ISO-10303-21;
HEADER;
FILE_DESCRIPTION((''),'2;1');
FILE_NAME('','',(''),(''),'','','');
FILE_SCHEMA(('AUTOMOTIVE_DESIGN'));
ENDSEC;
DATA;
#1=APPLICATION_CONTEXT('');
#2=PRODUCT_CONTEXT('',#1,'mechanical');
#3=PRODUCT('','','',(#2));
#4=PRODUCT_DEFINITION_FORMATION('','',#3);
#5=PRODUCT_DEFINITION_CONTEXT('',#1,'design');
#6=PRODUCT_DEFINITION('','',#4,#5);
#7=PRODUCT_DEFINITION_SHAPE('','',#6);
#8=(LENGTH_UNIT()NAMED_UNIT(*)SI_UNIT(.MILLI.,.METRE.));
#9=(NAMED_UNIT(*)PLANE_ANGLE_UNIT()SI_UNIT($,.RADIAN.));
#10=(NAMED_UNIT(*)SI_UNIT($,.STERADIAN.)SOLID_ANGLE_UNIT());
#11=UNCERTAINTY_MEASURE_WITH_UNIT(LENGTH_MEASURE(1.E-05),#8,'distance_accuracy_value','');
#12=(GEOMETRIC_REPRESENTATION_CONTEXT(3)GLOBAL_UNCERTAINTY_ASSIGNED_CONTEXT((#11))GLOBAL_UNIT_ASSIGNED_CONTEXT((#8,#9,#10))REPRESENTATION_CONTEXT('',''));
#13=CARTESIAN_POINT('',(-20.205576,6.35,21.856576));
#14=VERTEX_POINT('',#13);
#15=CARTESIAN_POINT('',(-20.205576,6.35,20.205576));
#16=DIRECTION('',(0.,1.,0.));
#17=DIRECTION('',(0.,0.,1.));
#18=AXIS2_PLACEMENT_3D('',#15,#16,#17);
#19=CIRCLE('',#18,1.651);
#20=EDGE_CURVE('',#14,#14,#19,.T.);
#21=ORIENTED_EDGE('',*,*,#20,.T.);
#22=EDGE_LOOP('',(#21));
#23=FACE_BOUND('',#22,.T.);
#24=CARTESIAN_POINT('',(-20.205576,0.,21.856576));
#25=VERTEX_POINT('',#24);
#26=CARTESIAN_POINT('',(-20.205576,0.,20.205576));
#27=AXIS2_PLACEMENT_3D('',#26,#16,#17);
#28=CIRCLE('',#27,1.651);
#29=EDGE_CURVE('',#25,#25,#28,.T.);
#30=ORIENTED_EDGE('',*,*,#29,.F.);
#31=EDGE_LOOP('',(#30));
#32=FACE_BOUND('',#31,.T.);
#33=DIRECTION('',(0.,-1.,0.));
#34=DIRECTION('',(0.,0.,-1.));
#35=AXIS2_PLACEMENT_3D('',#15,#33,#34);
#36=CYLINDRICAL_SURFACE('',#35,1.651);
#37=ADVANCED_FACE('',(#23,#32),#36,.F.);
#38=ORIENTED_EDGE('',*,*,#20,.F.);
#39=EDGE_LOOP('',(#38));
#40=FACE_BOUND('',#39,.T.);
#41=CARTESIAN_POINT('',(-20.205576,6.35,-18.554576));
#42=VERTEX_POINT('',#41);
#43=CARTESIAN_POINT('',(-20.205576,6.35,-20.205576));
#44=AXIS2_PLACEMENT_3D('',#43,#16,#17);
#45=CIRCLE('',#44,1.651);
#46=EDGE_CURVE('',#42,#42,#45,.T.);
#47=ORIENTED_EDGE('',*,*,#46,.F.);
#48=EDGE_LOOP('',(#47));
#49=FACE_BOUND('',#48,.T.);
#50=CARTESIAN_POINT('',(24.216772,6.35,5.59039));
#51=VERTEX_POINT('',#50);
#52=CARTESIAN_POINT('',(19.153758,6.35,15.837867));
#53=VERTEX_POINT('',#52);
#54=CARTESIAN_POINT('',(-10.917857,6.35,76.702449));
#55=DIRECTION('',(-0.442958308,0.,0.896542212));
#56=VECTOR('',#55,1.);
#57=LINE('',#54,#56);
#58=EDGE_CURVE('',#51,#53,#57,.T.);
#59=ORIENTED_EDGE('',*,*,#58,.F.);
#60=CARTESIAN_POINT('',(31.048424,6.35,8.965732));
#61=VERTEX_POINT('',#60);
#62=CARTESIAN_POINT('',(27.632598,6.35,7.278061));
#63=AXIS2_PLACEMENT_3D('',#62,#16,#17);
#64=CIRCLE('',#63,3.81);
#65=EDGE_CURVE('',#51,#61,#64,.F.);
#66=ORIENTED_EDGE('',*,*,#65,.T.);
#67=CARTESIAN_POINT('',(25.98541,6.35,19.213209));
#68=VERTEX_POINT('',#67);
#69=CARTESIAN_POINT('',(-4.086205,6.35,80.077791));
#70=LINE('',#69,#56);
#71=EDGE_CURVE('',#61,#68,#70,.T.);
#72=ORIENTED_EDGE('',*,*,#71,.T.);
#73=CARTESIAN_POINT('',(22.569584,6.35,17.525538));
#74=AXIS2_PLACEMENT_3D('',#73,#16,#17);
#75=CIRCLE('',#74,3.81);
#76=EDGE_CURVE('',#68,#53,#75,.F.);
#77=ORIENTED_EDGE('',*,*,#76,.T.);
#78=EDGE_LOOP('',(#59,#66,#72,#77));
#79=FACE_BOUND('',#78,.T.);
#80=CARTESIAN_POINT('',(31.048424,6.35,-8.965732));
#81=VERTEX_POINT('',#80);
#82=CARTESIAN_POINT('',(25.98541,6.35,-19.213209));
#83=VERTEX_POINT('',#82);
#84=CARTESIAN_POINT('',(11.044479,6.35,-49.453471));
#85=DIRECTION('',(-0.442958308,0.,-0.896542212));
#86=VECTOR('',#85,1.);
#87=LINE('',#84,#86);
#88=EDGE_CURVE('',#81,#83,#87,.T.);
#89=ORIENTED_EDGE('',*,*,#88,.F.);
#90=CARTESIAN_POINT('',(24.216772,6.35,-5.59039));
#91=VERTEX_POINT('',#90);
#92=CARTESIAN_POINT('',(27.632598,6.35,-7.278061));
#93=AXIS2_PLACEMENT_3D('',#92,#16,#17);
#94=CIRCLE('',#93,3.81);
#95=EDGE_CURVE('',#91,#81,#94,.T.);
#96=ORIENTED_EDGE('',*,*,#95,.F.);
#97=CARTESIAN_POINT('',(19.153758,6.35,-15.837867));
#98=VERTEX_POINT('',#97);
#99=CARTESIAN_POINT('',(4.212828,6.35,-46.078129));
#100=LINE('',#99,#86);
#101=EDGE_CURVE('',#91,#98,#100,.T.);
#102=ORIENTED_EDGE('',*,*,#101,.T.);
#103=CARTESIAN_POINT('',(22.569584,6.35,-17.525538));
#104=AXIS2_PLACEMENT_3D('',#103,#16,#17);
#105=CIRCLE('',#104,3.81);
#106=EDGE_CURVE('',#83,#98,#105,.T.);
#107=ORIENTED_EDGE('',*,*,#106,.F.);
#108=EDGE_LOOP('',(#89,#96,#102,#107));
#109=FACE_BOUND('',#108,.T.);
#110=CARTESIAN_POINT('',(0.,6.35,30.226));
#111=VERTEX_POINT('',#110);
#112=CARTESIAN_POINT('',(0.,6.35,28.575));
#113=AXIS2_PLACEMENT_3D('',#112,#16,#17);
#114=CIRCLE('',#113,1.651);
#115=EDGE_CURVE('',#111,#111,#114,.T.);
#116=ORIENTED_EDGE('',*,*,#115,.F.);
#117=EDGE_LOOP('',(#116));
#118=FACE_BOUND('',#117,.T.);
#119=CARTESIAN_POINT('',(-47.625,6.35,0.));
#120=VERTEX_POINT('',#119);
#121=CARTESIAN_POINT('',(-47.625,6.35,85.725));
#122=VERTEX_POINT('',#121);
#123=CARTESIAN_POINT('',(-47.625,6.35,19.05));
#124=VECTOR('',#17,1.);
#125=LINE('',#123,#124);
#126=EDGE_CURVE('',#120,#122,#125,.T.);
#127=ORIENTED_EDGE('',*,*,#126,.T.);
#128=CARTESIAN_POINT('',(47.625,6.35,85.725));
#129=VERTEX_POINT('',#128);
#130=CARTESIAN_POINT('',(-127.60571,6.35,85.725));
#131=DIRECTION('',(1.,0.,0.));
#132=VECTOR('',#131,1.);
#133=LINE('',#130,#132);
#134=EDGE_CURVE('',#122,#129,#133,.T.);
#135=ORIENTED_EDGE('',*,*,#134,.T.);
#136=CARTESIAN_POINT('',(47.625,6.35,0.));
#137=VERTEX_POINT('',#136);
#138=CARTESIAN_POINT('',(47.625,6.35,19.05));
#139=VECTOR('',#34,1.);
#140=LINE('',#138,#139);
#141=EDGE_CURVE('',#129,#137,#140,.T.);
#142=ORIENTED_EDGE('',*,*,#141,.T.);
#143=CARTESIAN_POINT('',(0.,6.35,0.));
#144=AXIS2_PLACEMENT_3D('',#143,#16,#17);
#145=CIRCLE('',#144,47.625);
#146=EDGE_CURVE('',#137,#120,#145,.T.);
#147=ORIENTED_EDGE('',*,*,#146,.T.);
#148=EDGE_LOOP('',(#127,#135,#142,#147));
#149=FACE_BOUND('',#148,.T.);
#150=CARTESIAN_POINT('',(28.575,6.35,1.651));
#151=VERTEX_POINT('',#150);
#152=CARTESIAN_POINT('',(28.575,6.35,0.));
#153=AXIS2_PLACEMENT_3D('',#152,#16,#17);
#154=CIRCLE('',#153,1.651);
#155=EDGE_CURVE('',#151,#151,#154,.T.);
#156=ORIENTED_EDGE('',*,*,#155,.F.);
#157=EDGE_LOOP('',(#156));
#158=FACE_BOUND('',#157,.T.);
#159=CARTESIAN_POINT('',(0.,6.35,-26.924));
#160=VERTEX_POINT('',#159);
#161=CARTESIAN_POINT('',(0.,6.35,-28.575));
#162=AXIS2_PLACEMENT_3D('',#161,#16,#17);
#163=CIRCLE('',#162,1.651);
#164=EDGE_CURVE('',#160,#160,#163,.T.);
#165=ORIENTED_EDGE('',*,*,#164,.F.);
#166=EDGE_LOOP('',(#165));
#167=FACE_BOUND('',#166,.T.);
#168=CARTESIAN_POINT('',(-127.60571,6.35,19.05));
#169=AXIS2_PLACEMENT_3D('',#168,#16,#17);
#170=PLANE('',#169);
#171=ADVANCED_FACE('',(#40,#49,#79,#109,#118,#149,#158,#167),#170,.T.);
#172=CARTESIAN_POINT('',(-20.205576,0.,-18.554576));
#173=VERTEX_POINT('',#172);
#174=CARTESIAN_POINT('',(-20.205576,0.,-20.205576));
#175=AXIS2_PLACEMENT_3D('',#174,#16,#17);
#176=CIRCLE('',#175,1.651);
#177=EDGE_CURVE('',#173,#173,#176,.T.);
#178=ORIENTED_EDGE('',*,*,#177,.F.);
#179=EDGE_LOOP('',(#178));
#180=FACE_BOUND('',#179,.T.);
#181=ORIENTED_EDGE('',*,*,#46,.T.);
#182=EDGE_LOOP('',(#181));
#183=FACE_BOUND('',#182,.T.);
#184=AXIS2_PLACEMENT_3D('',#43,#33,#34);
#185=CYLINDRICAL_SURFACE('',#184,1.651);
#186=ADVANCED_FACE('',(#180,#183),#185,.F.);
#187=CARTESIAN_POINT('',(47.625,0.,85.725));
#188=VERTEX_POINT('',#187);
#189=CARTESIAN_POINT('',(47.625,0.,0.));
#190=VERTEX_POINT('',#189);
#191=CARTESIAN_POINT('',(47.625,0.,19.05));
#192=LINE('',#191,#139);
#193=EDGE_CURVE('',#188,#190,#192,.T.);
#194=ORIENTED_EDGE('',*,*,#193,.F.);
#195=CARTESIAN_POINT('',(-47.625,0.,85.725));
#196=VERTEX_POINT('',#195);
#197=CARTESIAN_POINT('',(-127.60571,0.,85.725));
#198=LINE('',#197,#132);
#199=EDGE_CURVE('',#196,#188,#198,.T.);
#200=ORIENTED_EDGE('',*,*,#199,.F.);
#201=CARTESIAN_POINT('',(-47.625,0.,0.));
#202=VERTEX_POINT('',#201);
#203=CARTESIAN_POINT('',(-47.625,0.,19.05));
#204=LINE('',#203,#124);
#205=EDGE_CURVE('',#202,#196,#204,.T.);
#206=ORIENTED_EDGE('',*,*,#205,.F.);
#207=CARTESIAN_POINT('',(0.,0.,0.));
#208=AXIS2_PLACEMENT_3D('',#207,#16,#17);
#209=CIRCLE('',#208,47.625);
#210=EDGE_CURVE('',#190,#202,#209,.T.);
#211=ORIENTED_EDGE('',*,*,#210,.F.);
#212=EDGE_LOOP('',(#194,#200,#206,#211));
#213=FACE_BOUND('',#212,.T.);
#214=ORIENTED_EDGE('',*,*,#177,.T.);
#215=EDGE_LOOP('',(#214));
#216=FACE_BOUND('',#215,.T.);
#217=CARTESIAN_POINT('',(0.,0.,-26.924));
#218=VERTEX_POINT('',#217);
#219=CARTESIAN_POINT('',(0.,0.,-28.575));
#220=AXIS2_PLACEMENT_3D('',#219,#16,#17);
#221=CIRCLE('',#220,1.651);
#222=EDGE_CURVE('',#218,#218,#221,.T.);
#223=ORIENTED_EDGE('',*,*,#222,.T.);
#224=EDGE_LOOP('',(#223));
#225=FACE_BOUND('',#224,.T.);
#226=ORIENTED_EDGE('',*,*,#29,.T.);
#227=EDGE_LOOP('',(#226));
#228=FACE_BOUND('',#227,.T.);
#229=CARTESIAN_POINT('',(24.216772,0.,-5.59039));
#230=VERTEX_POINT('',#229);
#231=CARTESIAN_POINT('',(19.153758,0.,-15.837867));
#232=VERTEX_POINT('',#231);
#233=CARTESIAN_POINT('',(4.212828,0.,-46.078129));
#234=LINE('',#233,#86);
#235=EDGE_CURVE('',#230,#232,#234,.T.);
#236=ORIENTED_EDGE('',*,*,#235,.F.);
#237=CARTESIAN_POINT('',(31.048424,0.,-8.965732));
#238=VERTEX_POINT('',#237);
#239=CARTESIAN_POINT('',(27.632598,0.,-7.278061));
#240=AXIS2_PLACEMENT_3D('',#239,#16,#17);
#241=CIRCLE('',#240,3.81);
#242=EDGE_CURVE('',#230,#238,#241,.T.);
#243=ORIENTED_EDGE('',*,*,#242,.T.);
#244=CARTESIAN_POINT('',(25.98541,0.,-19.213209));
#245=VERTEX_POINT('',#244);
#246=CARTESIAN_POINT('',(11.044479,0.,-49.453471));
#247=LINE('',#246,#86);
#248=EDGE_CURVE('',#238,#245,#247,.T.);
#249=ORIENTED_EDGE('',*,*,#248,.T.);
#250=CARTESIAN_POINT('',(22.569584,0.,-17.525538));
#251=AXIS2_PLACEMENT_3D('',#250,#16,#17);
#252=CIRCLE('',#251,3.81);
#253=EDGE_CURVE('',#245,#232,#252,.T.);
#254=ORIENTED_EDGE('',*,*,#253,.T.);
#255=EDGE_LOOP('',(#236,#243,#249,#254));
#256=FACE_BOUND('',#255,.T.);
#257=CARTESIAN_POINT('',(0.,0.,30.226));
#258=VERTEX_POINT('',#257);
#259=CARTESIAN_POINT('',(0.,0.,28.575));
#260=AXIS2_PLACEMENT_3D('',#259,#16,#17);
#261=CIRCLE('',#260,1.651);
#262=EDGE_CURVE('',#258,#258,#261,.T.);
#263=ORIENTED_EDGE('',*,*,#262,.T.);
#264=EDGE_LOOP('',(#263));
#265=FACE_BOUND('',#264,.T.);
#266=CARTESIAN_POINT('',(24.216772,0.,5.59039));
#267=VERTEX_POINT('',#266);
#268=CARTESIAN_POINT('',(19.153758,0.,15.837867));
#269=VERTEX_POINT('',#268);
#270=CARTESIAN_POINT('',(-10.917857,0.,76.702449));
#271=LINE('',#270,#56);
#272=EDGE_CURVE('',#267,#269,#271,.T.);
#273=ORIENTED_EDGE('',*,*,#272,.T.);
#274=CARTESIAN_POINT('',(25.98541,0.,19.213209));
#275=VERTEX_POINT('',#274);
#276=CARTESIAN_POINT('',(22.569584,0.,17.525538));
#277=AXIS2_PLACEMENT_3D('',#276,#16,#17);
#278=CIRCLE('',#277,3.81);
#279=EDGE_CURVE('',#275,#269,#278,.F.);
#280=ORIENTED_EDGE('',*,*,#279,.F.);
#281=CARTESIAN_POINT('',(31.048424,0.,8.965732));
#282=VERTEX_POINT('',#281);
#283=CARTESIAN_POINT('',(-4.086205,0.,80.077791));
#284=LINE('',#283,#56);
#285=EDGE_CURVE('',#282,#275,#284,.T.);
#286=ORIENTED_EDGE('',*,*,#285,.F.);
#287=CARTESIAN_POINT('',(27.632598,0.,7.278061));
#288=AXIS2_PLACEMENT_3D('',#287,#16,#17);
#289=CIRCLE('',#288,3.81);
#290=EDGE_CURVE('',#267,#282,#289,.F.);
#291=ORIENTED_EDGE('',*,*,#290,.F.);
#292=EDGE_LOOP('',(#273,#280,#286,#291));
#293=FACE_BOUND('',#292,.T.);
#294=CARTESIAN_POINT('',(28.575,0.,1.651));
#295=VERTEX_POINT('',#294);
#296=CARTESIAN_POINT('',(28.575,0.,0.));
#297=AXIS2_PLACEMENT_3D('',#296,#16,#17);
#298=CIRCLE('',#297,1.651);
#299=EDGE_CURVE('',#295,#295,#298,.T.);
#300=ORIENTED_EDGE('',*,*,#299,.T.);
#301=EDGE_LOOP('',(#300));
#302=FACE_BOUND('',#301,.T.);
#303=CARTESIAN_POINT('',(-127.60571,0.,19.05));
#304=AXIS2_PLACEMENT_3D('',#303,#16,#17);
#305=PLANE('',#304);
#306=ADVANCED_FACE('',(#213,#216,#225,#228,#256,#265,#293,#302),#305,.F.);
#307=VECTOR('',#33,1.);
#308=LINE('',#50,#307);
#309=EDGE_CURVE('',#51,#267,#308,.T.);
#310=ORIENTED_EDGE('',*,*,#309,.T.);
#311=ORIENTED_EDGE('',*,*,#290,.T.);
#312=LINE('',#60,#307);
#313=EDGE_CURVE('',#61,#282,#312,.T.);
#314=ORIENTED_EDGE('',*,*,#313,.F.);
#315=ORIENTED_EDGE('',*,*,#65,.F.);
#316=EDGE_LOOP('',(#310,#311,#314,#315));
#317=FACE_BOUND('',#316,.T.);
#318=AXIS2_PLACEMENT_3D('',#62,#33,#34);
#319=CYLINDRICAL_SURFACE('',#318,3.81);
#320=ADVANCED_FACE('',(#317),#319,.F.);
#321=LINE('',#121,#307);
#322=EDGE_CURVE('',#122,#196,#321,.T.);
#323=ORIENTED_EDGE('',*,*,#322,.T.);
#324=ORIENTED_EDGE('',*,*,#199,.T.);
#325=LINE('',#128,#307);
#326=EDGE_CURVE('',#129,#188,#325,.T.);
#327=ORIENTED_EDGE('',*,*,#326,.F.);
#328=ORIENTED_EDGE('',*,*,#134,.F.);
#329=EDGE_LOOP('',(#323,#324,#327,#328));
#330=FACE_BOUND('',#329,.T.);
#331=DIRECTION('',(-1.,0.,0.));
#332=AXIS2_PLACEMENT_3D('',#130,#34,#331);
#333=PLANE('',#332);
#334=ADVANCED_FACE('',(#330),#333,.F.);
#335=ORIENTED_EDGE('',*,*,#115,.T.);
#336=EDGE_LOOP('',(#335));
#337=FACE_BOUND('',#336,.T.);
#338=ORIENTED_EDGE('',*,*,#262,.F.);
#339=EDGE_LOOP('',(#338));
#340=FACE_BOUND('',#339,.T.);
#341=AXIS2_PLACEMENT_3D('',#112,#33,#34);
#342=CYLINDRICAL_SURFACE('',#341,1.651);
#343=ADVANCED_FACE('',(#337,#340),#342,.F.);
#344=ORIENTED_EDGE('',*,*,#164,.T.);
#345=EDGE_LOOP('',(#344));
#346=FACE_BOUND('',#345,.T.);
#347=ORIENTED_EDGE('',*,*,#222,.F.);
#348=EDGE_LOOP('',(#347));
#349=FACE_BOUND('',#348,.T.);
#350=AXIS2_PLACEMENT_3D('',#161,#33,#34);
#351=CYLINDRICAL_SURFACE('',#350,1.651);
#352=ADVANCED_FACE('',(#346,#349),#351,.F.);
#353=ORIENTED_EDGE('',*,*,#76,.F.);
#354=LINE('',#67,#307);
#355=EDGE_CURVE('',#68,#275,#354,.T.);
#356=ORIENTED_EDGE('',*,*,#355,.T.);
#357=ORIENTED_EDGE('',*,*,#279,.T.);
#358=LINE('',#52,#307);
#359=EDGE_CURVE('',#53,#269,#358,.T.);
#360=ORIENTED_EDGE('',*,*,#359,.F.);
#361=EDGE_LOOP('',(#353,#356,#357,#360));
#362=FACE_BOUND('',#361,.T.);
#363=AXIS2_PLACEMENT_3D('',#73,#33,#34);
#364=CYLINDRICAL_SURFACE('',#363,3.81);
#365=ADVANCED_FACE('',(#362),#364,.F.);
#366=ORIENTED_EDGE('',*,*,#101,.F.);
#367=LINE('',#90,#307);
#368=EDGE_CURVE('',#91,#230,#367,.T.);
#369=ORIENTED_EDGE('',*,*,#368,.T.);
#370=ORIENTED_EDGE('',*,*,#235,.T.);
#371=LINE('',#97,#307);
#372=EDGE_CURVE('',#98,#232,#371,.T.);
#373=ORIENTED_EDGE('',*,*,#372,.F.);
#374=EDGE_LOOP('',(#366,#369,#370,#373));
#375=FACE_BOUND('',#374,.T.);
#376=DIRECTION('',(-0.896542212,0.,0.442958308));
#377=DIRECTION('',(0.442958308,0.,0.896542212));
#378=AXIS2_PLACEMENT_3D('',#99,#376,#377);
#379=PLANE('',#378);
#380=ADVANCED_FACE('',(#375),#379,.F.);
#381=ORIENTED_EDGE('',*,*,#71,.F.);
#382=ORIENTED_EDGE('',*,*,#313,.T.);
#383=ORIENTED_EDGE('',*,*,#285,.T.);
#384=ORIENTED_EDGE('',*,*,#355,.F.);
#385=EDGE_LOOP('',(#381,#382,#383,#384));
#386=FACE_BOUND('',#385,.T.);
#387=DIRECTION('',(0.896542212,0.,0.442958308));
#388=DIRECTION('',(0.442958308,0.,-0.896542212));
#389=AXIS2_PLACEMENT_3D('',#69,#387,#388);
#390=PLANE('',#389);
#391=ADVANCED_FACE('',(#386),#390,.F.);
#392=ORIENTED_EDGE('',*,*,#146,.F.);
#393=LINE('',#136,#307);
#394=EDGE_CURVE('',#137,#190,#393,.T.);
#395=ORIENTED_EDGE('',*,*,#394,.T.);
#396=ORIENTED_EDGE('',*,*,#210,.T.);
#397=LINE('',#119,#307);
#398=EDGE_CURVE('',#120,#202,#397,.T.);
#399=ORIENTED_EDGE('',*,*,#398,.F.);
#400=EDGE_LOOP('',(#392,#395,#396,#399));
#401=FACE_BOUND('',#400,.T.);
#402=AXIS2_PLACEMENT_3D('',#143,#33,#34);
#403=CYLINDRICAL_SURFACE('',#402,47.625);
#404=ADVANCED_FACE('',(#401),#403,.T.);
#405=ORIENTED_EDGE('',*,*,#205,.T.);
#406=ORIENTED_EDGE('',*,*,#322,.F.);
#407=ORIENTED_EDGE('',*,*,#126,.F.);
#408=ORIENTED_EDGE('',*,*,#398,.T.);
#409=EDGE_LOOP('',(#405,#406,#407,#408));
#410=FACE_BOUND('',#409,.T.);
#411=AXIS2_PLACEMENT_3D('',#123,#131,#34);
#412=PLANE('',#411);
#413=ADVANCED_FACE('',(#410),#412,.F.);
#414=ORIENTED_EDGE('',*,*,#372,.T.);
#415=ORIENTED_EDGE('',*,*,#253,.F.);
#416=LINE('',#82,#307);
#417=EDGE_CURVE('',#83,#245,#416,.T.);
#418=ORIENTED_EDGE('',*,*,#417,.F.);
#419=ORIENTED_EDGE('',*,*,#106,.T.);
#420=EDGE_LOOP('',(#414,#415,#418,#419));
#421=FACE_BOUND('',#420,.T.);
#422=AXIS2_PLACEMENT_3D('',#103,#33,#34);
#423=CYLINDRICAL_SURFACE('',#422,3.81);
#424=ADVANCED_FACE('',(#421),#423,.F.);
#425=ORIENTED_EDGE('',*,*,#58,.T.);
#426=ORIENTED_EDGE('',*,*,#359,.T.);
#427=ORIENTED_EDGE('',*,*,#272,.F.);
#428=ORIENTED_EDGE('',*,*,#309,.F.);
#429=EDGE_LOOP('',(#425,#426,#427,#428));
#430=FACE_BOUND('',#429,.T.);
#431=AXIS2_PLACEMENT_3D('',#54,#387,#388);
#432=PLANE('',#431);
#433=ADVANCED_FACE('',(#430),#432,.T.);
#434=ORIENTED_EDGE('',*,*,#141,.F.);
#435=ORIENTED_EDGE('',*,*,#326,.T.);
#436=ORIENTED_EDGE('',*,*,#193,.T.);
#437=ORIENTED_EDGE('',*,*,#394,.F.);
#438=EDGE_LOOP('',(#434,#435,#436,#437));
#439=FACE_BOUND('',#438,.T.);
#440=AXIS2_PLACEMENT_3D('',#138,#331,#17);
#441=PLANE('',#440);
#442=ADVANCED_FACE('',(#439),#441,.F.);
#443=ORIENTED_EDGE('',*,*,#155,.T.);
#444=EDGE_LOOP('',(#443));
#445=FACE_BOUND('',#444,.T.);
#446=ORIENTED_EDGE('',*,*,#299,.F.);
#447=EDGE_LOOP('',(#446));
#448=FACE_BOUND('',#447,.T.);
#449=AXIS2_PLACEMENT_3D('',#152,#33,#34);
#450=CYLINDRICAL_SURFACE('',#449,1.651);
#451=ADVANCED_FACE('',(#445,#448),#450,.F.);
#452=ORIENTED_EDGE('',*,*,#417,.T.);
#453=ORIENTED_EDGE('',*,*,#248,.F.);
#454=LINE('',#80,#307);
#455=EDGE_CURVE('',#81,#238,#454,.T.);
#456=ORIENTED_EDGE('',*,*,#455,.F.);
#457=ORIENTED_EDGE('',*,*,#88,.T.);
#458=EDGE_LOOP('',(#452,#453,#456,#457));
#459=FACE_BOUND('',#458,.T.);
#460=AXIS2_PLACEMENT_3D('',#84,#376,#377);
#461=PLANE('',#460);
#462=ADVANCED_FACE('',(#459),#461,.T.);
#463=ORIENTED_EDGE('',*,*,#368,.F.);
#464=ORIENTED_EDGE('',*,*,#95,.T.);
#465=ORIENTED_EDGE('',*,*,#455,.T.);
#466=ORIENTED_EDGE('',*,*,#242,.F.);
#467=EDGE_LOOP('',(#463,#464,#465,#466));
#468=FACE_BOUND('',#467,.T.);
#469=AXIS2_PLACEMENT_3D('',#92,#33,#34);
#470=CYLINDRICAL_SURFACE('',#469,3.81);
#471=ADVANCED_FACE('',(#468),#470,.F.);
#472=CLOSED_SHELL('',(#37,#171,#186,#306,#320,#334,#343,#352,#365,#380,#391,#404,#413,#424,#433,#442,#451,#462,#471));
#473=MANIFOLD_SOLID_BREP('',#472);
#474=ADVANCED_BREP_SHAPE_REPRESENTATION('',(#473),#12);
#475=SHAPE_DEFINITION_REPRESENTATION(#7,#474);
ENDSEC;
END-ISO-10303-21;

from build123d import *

# Parameters (mm, degrees)
SKETCH1_R           = 47.625
SKETCH1_R_2         = 1.651
BOSS_EXTRUDE1_DEPTH = 6.35


with BuildPart() as part:
    # Sketch1 → Boss-Extrude1 (new body)
    # profile 1 of 3: a face of its own
    with BuildSketch(Plane(origin=(0, 0, 0), x_dir=(1, 0, 0), z_dir=(0, 1, 0))):
        Circle(SKETCH1_R)
        with Locations(Location((0, 28.575, 0), (0, 0, 270))):
            Circle(SKETCH1_R_2, mode=Mode.SUBTRACT)
        with Locations(Location((0, -28.575, 0), (0, 0, 270))):
            Circle(SKETCH1_R_2, mode=Mode.SUBTRACT)
        with Locations(Location((28.575, 0, 0), (0, 0, 270))):
            Circle(SKETCH1_R_2, mode=Mode.SUBTRACT)
        with Locations(Location((-20.205576272, 20.205576272, 0), (0, 0, 270))):
            Circle(SKETCH1_R_2, mode=Mode.SUBTRACT)
        with Locations(Location((-20.205576272, -20.205576272, 0), (0, 0, 270))):
            Circle(SKETCH1_R_2, mode=Mode.SUBTRACT)
        with BuildLine():
            ThreePointArc((25.985410077, 19.213209427), (20.881913097, 20.941364101), (19.153758423, 15.837867121))
            Line((19.153758423, 15.837867121), (24.216771881, 5.59038964))
            ThreePointArc((24.216771881, 5.59038964), (29.320268861, 3.862234966), (31.048423535, 8.965731946))
            Line((31.048423535, 8.965731946), (25.985410077, 19.213209427))
        make_face(mode=Mode.SUBTRACT)
        with BuildLine():
            Line((31.048423535, -8.965731946), (25.985410077, -19.213209427))
            ThreePointArc((25.985410077, -19.213209427), (20.881913097, -20.941364101), (19.153758423, -15.837867121))
            Line((19.153758423, -15.837867121), (24.216771881, -5.59038964))
            ThreePointArc((24.216771881, -5.59038964), (29.320268861, -3.862234966), (31.048423535, -8.965731946))
        make_face(mode=Mode.SUBTRACT)
    # profile 2 of 3: a face of its own
    with BuildSketch(Plane(origin=(0, 0, 0), x_dir=(1, 0, 0), z_dir=(0, 1, 0))):
        with BuildLine():
            Line((0, -85.725), (0, -47.625))
            ThreePointArc((0, -47.625), (-33.675960454, -33.675960454), (-47.625, 0))
            Line((-47.625, 0), (-47.625, -85.725))
            Line((-47.625, -85.725), (0, -85.725))
        make_face()
    # profile 3 of 3: a face of its own
    with BuildSketch(Plane(origin=(0, 0, 0), x_dir=(1, 0, 0), z_dir=(0, 1, 0))):
        with BuildLine():
            ThreePointArc((47.625, 0), (33.675960454, -33.675960454), (0, -47.625))
            Line((0, -47.625), (0, -85.725))
            Line((0, -85.725), (47.625, -85.725))
            Line((47.625, -85.725), (47.625, 0))
        make_face()
    extrude(amount=BOSS_EXTRUDE1_DEPTH)


solid = part.part
